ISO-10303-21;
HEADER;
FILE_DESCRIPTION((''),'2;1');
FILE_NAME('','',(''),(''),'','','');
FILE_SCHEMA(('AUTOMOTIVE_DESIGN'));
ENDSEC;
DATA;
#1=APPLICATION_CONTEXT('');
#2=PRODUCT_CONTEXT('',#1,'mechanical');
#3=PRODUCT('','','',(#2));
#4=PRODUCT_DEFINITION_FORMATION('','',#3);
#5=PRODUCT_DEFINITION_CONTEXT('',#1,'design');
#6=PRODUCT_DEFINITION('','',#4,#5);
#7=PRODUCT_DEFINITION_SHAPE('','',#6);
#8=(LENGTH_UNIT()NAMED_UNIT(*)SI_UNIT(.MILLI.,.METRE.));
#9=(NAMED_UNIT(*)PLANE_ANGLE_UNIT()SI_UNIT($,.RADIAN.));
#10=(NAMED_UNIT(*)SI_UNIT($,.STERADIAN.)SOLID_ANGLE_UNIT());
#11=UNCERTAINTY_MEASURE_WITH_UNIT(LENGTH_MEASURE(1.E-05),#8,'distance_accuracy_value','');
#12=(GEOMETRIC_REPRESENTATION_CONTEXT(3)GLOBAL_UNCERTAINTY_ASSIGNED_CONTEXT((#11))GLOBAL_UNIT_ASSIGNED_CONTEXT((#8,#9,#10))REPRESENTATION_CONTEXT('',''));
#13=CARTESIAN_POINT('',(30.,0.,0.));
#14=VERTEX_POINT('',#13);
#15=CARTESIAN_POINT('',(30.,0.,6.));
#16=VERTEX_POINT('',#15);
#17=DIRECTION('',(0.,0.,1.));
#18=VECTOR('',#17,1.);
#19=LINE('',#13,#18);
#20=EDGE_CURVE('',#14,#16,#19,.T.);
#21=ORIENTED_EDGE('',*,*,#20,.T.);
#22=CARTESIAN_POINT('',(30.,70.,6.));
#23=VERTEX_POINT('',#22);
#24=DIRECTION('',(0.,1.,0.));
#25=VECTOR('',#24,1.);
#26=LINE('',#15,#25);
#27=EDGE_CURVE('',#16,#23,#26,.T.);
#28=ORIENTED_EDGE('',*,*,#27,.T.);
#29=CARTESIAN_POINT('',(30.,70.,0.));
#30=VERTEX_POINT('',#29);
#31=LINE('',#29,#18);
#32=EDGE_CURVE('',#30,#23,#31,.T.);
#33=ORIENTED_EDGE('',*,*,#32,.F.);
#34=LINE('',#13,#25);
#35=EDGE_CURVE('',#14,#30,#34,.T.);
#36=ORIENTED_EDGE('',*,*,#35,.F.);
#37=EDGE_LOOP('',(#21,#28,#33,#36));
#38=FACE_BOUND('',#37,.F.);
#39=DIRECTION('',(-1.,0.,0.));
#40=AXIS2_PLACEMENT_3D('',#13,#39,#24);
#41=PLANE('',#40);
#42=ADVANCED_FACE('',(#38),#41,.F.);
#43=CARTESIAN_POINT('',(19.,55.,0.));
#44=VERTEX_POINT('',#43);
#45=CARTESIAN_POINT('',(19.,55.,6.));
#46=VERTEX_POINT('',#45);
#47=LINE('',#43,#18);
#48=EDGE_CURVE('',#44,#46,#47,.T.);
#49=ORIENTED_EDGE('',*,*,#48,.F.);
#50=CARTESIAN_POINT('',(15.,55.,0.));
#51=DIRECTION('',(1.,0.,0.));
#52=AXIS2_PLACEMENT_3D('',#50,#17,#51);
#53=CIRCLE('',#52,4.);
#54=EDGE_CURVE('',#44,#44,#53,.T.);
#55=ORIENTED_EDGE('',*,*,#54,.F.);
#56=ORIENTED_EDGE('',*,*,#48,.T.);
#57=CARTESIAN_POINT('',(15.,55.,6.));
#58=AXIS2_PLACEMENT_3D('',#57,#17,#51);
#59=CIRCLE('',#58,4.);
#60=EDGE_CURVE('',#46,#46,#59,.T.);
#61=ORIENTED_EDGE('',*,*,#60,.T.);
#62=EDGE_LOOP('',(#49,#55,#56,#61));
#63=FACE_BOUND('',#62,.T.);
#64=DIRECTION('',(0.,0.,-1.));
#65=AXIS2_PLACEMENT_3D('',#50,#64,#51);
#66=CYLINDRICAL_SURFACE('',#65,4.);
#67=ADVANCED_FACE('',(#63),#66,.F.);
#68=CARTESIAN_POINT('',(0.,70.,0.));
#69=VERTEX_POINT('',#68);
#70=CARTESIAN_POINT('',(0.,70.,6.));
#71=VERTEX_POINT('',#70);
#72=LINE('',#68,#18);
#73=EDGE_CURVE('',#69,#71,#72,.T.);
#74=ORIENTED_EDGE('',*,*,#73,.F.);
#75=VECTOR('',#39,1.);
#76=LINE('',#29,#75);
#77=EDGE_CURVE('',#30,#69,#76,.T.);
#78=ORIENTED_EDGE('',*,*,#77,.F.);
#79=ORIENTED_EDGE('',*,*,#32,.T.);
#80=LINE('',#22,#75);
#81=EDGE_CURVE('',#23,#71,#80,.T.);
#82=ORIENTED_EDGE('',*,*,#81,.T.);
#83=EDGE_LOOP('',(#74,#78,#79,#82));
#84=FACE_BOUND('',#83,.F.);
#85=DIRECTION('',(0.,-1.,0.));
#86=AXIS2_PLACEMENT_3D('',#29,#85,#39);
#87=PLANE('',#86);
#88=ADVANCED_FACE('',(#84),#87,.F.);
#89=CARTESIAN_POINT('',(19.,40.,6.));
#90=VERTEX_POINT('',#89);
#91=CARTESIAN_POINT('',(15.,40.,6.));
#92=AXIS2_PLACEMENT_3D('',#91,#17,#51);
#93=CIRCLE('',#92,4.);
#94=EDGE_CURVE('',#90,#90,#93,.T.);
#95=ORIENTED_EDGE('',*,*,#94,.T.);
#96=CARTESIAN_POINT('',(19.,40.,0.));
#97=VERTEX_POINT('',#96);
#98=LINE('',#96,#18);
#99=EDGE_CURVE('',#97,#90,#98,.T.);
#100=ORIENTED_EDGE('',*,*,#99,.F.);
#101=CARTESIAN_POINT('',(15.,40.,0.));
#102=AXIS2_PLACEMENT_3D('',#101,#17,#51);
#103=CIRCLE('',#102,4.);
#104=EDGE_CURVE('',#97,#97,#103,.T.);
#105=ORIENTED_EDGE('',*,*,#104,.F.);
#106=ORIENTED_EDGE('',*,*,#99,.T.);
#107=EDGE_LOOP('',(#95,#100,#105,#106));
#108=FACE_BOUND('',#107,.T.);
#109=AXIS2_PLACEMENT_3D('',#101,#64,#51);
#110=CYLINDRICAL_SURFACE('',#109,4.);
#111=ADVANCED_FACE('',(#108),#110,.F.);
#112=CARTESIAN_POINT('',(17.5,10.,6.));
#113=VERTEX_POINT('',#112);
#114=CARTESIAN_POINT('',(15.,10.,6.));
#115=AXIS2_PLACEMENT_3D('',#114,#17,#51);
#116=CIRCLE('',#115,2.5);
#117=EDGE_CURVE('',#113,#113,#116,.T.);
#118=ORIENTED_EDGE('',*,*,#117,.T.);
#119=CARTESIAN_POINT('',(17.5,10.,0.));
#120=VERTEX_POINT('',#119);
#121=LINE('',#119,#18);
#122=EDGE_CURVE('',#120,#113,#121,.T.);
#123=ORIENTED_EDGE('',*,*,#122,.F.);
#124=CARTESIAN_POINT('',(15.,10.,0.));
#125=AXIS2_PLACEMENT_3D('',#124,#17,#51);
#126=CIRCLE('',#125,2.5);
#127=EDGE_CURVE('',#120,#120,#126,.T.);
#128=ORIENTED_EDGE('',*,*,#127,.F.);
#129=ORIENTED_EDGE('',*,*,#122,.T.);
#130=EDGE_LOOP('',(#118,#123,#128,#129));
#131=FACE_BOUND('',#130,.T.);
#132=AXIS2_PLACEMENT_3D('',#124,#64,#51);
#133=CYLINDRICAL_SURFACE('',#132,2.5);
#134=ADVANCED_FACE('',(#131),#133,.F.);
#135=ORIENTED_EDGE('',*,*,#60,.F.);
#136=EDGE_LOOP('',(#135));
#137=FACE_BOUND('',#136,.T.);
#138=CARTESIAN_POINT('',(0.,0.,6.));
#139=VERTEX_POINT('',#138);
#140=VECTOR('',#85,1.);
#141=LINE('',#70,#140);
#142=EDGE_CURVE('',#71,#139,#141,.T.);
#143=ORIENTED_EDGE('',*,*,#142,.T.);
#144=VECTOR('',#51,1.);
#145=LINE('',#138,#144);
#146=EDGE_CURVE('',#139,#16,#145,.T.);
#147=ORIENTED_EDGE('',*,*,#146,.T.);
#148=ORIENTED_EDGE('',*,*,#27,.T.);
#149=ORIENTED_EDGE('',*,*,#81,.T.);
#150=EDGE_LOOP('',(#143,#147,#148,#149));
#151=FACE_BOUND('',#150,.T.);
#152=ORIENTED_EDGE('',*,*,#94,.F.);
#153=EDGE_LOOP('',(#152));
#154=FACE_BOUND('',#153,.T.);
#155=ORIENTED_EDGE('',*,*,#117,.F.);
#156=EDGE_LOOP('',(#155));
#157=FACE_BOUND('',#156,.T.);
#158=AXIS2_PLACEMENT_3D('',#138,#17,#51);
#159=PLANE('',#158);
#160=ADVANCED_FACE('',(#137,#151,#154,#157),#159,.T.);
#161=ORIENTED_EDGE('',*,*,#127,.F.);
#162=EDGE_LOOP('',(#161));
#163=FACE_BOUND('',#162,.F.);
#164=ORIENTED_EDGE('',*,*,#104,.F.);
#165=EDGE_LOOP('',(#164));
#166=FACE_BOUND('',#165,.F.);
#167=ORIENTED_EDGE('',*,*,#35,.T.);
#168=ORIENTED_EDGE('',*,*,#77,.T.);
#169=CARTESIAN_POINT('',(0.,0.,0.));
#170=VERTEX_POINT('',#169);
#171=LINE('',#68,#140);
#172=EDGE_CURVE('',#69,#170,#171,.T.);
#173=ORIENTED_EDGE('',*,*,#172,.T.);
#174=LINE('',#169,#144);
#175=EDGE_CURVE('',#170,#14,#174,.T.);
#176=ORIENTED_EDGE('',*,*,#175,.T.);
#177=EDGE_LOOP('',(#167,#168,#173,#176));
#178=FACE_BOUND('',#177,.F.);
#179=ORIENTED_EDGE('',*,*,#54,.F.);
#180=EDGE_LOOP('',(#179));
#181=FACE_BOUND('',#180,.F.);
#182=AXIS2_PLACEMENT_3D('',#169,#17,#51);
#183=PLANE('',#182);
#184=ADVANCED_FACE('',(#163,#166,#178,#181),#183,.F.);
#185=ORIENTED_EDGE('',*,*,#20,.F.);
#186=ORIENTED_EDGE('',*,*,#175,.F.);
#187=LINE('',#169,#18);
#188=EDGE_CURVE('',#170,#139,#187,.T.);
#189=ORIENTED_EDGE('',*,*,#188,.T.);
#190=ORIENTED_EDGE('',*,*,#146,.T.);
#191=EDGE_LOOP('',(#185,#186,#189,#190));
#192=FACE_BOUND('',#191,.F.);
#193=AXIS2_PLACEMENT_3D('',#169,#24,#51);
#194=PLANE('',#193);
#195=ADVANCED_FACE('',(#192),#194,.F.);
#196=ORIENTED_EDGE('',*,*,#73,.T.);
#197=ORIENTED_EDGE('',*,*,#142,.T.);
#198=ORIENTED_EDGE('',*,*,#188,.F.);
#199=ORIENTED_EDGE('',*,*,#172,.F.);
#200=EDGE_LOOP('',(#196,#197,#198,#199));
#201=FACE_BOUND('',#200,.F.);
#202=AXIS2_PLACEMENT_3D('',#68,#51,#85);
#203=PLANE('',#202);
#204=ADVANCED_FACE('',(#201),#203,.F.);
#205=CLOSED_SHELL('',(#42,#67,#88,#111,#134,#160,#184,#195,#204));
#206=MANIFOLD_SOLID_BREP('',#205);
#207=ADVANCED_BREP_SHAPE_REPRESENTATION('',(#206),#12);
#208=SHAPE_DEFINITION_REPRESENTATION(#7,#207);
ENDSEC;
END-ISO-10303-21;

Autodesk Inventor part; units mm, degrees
ref_plane "YZ Plane" through (0, 0, 0) normal (1, 0, 0) x (0, 1, 0)
ref_plane "XZ Plane" through (0, 0, 0) normal (0, 1, 0) x (-1, 0, 0)
ref_plane "XY Plane" through (0, 0, 0) normal (0, 0, 1) x (1, 0, 0)
sketch "Sketch1" plane through (0, 0, 0) normal (0, 0, 1) x (1, 0, 0)
  line L0 (0, 0) -> (30, 0)
  line L1 (30, 0) -> (30, 70)
  line L2 (30, 70) -> (0, 70)
  line L3 (0, 70) -> (0, 0)
  circle A0 centre (15, 40) radius 4
  circle A1 centre (15, 10) radius 2.5
  circle A2 centre (15, 55) radius 4
  dimension "d0" = 70
  dimension "d1" = 30
  dimension "d2" = 5
  dimension "d3" = 8
  dimension "d5" = 8
  dimension "d6" = 15
  dimension "d7" = 15
  dimension "d9" = 15
  dimension "d10" = 15
  dimension "d13" = 15
  dimension "d14" = 10
extrude "Extrusion2" add sketch "Sketch1" along normal blind 6
properties part number "Rail_Pulley_Connector"
